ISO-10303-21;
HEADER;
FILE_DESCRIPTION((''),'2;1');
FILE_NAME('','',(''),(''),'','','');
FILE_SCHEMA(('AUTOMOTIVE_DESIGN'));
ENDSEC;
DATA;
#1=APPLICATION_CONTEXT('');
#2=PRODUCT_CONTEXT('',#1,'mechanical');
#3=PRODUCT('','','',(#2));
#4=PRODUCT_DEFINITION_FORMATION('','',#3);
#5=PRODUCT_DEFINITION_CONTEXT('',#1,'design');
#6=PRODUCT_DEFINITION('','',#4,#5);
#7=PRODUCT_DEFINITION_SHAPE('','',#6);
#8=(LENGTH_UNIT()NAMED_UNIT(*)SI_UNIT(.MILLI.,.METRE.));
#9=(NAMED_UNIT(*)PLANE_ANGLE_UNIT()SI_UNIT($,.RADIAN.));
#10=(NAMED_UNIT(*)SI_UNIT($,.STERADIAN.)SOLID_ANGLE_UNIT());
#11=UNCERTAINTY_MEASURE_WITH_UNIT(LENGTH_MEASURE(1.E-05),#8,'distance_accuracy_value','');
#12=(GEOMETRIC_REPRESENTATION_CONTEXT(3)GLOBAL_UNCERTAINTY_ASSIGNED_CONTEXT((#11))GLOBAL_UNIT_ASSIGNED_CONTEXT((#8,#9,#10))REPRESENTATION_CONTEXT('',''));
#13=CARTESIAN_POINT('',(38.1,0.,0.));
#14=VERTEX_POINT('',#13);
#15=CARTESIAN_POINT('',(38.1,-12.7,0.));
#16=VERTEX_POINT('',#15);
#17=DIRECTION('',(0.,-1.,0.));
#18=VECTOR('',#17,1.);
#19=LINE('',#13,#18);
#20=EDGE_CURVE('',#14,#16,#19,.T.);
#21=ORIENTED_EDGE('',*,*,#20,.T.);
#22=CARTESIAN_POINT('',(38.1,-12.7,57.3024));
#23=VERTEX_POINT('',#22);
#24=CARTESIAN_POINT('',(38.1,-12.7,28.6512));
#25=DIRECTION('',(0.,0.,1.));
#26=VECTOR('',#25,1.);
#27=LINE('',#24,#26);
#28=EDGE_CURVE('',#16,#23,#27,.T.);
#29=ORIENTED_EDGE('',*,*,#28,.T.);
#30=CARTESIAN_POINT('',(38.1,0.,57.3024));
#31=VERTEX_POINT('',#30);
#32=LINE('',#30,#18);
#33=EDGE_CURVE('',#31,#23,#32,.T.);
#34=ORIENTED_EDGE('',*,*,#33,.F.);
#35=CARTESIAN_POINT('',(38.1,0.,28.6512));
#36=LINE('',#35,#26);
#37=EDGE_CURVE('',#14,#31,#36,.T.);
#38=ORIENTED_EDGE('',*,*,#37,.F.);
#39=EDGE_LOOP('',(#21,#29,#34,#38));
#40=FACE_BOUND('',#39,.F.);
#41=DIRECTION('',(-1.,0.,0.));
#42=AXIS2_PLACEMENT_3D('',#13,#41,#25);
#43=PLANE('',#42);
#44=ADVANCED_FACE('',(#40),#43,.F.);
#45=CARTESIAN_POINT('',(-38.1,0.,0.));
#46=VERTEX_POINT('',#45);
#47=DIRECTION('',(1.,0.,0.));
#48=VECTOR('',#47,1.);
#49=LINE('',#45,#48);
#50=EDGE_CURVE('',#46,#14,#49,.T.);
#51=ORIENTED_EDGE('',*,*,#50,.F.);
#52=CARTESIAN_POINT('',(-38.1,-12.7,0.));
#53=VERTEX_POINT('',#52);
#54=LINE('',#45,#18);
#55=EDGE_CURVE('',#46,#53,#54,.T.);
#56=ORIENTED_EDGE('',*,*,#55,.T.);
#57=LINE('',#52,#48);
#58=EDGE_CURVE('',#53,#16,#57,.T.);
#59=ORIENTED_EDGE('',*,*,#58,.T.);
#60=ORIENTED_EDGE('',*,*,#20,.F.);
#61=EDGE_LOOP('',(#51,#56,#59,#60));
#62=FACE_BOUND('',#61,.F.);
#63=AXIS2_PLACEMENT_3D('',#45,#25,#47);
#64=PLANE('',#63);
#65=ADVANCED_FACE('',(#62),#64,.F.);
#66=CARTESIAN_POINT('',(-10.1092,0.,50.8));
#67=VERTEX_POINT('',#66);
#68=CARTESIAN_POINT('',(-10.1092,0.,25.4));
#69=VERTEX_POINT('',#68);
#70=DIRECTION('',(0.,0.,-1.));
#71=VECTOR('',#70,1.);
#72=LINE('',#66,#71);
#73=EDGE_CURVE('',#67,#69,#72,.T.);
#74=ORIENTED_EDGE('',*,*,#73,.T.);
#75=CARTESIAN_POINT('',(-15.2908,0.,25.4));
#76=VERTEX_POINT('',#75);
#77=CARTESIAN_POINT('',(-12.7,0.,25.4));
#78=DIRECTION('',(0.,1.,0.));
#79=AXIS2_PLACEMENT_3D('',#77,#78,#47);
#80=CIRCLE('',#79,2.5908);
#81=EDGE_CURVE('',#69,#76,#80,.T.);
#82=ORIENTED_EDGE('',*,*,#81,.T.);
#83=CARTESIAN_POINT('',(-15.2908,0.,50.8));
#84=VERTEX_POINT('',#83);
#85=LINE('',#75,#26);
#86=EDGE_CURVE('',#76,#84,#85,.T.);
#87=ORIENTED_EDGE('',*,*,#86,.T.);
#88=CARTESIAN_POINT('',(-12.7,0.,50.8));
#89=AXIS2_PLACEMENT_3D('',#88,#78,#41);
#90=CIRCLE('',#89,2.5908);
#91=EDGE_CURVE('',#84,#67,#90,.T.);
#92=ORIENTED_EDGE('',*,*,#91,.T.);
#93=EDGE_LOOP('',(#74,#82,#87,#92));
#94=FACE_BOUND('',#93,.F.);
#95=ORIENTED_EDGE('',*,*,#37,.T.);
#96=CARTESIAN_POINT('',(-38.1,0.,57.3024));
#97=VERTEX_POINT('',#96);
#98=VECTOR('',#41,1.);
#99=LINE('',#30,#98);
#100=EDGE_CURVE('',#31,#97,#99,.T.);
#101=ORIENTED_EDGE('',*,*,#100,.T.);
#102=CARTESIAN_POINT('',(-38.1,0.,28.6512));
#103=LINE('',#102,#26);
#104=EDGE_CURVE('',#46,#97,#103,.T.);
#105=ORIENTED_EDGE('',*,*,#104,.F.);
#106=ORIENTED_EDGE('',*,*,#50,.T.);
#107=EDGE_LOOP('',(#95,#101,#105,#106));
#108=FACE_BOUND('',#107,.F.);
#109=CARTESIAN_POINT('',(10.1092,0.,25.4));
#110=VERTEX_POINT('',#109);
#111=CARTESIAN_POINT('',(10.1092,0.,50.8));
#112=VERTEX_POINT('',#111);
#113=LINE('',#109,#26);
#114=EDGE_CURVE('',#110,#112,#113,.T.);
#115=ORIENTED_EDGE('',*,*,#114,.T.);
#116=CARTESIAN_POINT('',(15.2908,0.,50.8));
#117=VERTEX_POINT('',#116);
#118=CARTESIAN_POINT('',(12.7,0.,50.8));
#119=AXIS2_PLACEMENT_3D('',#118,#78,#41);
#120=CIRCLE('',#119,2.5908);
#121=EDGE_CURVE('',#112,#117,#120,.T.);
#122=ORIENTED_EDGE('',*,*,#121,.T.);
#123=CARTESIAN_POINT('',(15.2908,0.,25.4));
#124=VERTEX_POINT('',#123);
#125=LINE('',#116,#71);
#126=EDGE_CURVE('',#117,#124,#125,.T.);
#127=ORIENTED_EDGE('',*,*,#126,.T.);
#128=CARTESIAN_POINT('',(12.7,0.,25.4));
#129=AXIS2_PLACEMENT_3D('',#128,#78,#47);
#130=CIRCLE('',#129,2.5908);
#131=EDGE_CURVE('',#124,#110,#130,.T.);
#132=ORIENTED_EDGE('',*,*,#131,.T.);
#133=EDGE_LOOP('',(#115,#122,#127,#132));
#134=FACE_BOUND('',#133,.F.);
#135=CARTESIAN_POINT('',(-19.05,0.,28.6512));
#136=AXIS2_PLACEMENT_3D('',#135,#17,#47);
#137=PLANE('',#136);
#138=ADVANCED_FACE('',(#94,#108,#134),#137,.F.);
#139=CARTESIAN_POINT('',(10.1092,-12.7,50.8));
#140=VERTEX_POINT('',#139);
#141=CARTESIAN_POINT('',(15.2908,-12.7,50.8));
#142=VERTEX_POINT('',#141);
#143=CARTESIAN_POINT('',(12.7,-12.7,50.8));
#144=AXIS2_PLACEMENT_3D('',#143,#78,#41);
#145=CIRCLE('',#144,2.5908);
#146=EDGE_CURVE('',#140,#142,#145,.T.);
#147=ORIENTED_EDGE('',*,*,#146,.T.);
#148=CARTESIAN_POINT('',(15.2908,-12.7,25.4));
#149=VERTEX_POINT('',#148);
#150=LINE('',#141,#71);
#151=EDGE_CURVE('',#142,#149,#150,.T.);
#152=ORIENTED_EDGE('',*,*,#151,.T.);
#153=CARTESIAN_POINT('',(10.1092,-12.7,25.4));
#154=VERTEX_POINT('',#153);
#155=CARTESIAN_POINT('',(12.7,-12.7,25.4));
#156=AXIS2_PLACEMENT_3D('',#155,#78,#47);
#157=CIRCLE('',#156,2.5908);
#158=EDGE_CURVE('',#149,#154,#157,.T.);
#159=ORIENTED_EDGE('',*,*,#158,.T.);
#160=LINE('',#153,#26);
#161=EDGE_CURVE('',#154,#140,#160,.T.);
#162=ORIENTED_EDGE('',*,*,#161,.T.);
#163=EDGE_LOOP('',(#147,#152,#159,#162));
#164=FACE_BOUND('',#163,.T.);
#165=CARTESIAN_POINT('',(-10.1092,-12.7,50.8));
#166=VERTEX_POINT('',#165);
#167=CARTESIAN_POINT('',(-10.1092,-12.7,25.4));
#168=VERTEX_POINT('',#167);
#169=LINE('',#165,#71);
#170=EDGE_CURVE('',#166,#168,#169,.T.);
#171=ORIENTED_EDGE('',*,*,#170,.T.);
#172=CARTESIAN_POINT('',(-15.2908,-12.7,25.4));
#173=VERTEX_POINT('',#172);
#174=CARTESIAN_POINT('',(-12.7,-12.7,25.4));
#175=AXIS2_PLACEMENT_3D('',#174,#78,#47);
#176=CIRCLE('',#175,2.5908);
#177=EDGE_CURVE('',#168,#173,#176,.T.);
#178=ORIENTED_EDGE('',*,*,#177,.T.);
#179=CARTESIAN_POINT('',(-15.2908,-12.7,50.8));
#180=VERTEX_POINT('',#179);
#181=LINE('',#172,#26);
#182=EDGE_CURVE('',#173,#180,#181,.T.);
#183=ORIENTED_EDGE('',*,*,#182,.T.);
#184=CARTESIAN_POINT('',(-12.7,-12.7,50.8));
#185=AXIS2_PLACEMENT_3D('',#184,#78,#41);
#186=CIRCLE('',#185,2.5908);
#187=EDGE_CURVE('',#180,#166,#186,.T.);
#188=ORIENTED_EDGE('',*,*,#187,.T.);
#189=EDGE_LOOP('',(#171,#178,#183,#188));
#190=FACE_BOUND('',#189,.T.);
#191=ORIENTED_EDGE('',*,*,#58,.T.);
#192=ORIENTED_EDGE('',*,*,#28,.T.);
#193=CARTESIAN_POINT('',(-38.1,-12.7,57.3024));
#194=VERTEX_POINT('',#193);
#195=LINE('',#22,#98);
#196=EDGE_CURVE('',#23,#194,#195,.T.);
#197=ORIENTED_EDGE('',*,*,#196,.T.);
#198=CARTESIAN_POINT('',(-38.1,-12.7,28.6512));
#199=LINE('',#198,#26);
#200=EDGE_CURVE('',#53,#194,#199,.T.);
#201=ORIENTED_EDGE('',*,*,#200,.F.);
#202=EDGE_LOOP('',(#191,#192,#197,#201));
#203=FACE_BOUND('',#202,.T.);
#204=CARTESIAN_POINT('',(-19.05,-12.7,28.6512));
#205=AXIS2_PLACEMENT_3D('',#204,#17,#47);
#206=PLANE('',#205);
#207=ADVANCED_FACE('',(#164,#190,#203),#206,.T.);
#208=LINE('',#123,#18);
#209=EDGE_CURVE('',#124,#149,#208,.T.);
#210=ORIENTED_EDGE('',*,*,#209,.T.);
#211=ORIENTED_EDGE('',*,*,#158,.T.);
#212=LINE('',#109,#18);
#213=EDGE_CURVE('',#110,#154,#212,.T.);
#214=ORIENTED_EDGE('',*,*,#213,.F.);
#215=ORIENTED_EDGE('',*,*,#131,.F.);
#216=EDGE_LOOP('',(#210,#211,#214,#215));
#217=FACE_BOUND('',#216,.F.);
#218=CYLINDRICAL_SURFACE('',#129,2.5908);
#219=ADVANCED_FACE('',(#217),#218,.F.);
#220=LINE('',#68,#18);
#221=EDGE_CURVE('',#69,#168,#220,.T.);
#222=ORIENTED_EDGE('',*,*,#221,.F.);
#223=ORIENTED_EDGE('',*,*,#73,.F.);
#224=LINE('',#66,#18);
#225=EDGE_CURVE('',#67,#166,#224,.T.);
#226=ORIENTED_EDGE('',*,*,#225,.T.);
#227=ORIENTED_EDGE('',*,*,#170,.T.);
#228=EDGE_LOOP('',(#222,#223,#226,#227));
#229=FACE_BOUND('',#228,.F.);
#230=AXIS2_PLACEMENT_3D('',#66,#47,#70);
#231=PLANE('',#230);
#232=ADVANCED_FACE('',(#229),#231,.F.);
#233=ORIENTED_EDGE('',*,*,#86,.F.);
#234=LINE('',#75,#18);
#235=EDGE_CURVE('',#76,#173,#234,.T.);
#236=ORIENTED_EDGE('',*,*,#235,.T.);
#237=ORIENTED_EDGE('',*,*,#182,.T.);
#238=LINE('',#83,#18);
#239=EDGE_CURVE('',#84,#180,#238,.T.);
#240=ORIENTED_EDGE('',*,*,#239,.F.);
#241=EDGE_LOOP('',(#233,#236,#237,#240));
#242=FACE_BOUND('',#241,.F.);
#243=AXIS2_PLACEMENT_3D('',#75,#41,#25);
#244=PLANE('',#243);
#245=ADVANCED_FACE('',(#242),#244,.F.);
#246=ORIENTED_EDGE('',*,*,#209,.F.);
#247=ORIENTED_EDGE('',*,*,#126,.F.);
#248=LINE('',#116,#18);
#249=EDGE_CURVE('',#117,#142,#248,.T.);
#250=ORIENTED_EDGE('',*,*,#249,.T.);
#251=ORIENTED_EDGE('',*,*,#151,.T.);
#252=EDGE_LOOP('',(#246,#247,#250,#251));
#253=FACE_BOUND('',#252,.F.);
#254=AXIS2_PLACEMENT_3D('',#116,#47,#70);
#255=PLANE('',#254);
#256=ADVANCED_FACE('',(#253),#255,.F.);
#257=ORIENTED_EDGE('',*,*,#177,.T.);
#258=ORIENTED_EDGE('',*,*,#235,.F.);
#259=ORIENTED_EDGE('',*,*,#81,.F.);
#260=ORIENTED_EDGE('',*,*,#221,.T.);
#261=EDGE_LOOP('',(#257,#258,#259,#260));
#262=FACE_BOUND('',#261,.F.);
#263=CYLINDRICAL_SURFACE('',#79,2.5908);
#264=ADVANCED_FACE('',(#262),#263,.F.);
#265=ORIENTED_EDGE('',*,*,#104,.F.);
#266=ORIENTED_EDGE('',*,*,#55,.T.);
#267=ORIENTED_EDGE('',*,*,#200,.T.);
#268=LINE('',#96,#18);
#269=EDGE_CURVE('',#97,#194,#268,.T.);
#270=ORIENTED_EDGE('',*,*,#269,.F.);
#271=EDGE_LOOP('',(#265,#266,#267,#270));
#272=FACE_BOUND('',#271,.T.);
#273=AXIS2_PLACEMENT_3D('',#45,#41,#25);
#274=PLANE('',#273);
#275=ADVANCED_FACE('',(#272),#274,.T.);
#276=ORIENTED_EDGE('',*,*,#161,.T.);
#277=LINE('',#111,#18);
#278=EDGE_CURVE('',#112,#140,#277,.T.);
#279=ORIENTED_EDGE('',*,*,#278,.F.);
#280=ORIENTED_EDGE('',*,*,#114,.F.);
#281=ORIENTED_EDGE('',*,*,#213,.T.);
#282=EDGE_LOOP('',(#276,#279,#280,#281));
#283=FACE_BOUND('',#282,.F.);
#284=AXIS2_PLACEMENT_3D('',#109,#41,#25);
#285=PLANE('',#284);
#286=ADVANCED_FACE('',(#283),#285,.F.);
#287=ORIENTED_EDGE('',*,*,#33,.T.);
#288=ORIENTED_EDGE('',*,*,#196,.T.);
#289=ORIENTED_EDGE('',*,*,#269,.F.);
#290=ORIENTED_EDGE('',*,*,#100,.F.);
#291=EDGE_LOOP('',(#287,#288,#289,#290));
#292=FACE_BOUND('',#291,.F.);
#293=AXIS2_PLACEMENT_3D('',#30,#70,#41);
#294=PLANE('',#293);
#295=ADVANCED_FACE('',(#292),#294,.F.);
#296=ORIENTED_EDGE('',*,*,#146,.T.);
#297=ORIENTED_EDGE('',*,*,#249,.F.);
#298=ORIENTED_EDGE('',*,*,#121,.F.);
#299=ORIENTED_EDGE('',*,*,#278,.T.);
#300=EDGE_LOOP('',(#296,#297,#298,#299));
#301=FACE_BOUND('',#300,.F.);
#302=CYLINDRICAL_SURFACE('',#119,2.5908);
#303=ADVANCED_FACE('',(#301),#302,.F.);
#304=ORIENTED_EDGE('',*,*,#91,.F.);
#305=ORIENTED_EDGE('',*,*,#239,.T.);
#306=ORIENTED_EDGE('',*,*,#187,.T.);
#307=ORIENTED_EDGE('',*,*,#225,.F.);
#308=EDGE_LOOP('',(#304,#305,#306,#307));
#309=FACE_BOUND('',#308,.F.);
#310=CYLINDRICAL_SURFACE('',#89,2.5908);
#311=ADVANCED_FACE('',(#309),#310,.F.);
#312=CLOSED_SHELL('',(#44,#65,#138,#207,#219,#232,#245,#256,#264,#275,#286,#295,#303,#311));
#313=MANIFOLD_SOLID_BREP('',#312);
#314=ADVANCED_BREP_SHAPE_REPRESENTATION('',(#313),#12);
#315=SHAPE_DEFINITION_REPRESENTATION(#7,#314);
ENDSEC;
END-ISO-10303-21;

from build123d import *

# Parameters (mm, degrees)
F0_W     = 38.1
F0_H     = 57.3024
F1_DEPTH = 12.7


with BuildPart() as f1:
    # F0 (on Front) → F1 (new body)
    with BuildSketch(Plane.XZ):
        with Locations((-19.05, 28.6512)):
            Rectangle(F0_W, F0_H)
        with BuildLine():
            ThreePointArc((-6.3221496252, 50.8), (-7.3520700194, 47.3248567906), (-10.1092, 44.972073202))
            Line((-10.1092, 44.972073202), (-10.1092, 31.1974352398))
            ThreePointArc((-10.1092, 31.1974352398), (-7.3720510513, 28.8547735092), (-6.35, 25.4))
            ThreePointArc((-6.35, 25.4), (-16.1547735092, 20.0720510513), (-15.2908, 31.1974352398))
            Line((-15.2908, 31.1974352398), (-15.2908, 44.972073202))
            ThreePointArc((-15.2908, 44.972073202), (-16.1751432094, 56.1479299806), (-6.3221496252, 50.8))
        make_face(mode=Mode.SUBTRACT)
        with BuildLine():
            ThreePointArc((-8.7376, 50.8), (-9.0967792407, 49.1515419569), (-10.1092, 47.8019391067))
            Line((-10.1092, 47.8019391067), (-10.1092, 44.972073202))
            ThreePointArc((-10.1092, 44.972073202), (-7.3520700194, 47.3248567906), (-6.3221496252, 50.8))
            ThreePointArc((-6.3221496252, 50.8), (-16.1751432094, 56.1479299806), (-15.2908, 44.972073202))
            Line((-15.2908, 44.972073202), (-15.2908, 47.8019391067))
            ThreePointArc((-15.2908, 47.8019391067), (-14.3484580431, 54.4032207593), (-8.7376, 50.8))
        make_face()
        with BuildLine():
            ThreePointArc((-15.2908, 50.8), (-12.7, 53.3908), (-10.1092, 50.8))
            Line((-10.1092, 50.8), (-10.1092, 47.8019391067))
            ThreePointArc((-10.1092, 47.8019391067), (-9.0967792407, 49.1515419569), (-8.7376, 50.8))
            ThreePointArc((-8.7376, 50.8), (-14.3484580431, 54.4032207593), (-15.2908, 47.8019391067))
            Line((-15.2908, 47.8019391067), (-15.2908, 50.8))
        make_face()
        with BuildLine():
            ThreePointArc((-8.7376, 25.4), (-9.0967792407, 27.0484580431), (-10.1092, 28.3980608933))
            Line((-10.1092, 28.3980608933), (-10.1092, 25.4))
            ThreePointArc((-10.1092, 25.4), (-12.7, 22.8092), (-15.2908, 25.4))
            Line((-15.2908, 25.4), (-15.2908, 28.3980608933))
            ThreePointArc((-15.2908, 28.3980608933), (-14.3484580431, 21.7967792407), (-8.7376, 25.4))
        make_face()
        with BuildLine():
            ThreePointArc((-6.35, 25.4), (-7.3720510513, 28.8547735092), (-10.1092, 31.1974352398))
            Line((-10.1092, 31.1974352398), (-10.1092, 28.3980608933))
            ThreePointArc((-10.1092, 28.3980608933), (-9.0967792407, 27.0484580431), (-8.7376, 25.4))
            ThreePointArc((-8.7376, 25.4), (-14.3484580431, 21.7967792407), (-15.2908, 28.3980608933))
            Line((-15.2908, 28.3980608933), (-15.2908, 31.1974352398))
            ThreePointArc((-15.2908, 31.1974352398), (-16.1547735092, 20.0720510513), (-6.35, 25.4))
        make_face()
        with Locations((19.05, 28.6512)):
            Rectangle(F0_W, F0_H)
        with BuildLine():
            Line((10.1092, 25.4), (10.1092, 50.8))
            ThreePointArc((10.1092, 50.8), (12.7, 53.3908), (15.2908, 50.8))
            Line((15.2908, 50.8), (15.2908, 25.4))
            ThreePointArc((15.2908, 25.4), (12.7, 22.8092), (10.1092, 25.4))
        make_face(mode=Mode.SUBTRACT)
    extrude(amount=F1_DEPTH)


solid = f1.part
